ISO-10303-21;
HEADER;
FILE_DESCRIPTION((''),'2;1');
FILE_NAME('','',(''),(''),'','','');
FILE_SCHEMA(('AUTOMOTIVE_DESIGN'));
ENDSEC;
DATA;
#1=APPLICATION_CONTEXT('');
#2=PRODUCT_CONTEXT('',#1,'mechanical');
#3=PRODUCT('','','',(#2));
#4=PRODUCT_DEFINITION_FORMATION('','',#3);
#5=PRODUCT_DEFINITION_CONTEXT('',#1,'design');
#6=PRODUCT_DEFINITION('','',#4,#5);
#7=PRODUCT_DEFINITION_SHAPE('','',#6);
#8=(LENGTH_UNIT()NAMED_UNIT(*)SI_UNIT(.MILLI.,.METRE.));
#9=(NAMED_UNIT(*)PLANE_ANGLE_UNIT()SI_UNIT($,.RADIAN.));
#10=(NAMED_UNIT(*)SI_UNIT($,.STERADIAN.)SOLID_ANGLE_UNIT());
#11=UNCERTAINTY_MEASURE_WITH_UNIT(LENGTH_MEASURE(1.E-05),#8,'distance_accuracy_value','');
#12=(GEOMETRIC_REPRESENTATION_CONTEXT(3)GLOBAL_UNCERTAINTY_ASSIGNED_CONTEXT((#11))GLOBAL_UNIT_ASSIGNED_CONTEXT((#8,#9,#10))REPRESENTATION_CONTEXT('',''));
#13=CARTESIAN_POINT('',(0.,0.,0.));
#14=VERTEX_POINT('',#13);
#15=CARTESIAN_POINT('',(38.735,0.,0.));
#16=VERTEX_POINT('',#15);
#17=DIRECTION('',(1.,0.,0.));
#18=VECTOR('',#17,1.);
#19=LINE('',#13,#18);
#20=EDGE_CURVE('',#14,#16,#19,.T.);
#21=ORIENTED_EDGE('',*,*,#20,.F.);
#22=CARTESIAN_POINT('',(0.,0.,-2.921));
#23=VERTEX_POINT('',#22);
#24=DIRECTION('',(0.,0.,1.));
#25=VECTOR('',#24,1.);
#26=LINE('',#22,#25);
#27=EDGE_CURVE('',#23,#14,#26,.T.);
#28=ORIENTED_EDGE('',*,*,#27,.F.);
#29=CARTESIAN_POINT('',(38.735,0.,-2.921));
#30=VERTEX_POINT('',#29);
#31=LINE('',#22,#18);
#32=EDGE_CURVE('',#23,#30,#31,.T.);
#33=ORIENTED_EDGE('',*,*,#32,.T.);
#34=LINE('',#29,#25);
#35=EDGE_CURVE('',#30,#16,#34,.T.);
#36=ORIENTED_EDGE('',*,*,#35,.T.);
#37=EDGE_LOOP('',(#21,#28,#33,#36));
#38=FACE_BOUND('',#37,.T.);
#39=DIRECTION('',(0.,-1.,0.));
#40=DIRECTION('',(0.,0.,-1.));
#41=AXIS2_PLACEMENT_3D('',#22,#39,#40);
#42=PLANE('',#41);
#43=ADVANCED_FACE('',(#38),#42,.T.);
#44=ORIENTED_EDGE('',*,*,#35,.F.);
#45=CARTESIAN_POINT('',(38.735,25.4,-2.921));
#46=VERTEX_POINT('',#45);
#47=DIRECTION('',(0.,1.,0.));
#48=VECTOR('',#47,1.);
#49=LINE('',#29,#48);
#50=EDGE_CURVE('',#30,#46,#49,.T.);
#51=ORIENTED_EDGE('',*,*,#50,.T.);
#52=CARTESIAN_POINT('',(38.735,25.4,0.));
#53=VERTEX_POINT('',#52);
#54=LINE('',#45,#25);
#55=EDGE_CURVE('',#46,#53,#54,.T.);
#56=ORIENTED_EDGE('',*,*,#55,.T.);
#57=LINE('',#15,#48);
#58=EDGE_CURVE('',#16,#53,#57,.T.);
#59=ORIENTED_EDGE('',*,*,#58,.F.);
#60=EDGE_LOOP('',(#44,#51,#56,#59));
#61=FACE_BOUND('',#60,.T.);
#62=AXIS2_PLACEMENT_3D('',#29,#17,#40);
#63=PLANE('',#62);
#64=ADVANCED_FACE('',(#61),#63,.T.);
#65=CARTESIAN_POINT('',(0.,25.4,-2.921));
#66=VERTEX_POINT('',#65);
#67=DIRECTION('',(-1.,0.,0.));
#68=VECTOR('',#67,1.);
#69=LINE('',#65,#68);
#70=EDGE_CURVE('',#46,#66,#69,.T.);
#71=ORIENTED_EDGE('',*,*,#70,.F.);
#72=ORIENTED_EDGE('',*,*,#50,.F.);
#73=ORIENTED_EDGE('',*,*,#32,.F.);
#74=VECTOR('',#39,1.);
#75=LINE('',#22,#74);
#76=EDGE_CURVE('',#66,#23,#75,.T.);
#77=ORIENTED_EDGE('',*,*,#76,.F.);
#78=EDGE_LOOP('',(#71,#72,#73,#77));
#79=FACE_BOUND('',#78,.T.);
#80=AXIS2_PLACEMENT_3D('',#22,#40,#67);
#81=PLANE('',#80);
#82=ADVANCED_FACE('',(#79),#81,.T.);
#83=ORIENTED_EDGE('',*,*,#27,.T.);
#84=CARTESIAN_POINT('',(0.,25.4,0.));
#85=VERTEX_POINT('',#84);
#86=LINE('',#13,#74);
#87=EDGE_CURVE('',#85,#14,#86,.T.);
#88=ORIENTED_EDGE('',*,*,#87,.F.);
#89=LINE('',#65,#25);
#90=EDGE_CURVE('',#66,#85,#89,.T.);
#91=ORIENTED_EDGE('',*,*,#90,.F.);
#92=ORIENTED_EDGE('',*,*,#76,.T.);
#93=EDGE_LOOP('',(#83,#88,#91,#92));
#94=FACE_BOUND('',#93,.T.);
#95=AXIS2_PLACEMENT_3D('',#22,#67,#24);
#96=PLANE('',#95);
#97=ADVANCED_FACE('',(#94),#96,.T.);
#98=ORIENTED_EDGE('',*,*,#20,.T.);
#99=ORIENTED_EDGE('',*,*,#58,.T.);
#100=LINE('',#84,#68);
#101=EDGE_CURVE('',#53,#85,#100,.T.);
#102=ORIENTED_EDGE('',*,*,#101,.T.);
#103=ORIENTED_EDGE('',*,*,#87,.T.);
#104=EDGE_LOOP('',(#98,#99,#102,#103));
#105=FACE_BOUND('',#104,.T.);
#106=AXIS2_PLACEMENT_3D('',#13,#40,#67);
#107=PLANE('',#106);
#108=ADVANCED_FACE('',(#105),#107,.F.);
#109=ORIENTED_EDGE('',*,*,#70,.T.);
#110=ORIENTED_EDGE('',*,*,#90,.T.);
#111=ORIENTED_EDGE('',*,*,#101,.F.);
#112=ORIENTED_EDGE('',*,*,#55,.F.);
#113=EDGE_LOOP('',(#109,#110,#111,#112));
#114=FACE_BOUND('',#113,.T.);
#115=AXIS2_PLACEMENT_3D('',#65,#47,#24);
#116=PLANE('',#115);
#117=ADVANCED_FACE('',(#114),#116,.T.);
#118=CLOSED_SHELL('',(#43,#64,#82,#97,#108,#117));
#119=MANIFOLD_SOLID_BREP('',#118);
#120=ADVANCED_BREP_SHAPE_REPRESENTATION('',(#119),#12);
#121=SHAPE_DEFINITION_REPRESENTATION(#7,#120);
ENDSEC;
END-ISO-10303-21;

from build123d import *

# Parameters (mm, degrees)
SKETCH1_W           = 38.735
SKETCH1_H           = 25.4
BOSS_EXTRUDE1_DEPTH = 2.921


with BuildPart() as part:
    # Sketch1 → Boss-Extrude1 (new body)
    with BuildSketch(Plane.XY):
        with Locations((19.3675, 12.7)):
            Rectangle(SKETCH1_W, SKETCH1_H)
    extrude(amount=-BOSS_EXTRUDE1_DEPTH)


solid = part.part
